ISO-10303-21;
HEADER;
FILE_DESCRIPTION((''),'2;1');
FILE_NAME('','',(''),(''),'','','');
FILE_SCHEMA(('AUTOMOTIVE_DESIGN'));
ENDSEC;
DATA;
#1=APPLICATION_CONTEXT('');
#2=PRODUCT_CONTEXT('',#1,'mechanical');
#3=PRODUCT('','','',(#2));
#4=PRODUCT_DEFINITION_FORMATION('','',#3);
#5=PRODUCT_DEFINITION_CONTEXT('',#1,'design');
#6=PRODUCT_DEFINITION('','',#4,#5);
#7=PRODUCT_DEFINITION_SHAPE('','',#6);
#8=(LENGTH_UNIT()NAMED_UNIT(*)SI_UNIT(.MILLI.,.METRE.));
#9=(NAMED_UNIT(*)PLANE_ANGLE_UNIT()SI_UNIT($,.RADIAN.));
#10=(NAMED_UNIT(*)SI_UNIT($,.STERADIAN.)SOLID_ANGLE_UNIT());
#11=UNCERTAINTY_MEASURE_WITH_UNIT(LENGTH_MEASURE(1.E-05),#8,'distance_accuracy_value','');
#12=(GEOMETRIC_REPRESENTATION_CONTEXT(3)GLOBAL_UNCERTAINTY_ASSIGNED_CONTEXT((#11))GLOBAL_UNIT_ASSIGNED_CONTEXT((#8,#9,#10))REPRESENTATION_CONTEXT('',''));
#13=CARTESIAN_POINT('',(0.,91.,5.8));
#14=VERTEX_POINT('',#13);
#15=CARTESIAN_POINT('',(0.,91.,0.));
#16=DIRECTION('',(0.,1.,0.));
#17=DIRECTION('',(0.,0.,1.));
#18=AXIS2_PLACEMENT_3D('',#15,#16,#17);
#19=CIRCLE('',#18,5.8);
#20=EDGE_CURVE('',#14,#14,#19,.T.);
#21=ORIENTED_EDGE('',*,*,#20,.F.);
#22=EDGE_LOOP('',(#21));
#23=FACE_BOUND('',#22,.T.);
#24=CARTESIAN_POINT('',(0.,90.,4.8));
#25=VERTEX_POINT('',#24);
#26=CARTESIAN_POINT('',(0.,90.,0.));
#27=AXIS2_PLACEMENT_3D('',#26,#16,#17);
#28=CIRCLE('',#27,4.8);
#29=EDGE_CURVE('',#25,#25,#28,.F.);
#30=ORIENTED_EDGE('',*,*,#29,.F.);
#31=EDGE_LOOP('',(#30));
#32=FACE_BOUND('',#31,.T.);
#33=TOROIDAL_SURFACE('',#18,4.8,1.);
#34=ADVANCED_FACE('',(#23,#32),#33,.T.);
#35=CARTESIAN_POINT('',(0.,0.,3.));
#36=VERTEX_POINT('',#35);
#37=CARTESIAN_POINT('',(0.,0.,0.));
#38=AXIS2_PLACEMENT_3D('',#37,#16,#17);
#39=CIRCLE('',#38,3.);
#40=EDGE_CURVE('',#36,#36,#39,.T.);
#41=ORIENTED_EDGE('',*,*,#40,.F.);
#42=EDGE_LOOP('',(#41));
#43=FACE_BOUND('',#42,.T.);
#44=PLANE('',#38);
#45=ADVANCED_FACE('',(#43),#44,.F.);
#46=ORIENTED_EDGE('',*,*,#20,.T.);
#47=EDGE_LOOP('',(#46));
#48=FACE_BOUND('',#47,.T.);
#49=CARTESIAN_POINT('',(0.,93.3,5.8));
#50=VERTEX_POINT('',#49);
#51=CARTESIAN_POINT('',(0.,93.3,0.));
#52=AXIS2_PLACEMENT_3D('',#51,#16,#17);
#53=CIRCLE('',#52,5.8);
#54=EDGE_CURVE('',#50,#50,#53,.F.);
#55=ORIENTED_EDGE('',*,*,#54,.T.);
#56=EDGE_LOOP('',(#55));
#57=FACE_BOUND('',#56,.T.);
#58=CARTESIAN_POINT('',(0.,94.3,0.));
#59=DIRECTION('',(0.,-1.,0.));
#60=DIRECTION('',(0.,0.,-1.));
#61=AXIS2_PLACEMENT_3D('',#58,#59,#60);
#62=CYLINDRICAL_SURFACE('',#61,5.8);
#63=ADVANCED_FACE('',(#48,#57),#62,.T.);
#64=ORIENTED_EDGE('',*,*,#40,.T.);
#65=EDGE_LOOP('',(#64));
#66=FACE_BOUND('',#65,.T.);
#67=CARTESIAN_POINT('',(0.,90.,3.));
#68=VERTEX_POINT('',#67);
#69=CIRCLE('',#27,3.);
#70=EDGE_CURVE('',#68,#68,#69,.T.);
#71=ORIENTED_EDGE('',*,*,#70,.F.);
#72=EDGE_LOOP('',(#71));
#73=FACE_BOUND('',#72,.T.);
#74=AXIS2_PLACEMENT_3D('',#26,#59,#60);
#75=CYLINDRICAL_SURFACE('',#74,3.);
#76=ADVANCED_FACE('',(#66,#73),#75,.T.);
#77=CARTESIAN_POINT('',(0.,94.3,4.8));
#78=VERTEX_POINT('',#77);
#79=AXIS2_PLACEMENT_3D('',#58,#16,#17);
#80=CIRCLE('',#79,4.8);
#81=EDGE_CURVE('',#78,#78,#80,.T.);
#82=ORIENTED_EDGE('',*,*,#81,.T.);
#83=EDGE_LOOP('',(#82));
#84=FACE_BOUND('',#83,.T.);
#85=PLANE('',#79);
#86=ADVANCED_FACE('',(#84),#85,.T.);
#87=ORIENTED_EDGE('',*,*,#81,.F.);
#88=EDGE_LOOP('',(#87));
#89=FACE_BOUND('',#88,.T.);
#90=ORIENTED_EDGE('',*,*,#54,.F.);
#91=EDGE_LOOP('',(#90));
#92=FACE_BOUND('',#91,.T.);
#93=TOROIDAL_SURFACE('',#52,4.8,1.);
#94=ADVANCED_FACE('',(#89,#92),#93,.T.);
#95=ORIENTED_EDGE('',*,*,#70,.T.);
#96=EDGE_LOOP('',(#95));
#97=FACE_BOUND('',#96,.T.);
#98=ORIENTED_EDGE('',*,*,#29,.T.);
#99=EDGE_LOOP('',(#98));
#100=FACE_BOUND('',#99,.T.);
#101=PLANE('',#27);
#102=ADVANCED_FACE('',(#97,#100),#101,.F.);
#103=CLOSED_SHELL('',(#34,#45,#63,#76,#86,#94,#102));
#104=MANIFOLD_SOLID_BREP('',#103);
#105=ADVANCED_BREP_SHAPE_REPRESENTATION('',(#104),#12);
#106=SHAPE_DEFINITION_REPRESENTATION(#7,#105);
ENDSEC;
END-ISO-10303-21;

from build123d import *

# Parameters (mm, degrees)
SKETCH1_R           = 3
BOSS_EXTRUDE1_DEPTH = 90
SKETCH2_R           = 5.8
BOSS_EXTRUDE2_DEPTH = 4.3
FILLET1_R           = 1


with BuildPart() as part:
    # Sketch1 → Boss-Extrude1 (new body)
    with BuildSketch(Plane(origin=(0, 0, 0), x_dir=(1, 0, 0), z_dir=(0, 1, 0))):
        with Locations(Location((0, 0, 0), (0, 0, 270))):  # turned: the seam where the file's is
            Circle(SKETCH1_R)
    extrude(amount=BOSS_EXTRUDE1_DEPTH)

    # Sketch2 → Boss-Extrude2 (add)
    with BuildSketch(Plane(origin=(0, 90, 0), x_dir=(1, 0, 0), z_dir=(0, 1, 0))):
        with Locations(Location((0, 0, 0), (0, 0, 270))):  # turned: the seam where the file's is
            Circle(SKETCH2_R)
    extrude(amount=BOSS_EXTRUDE2_DEPTH)

    # Fillet1
    fillet1_edges = [part.edges().sort_by_distance(p)[0] for p in [
        (0, 90, -5.8),
        (0, 94.3, -5.8),
    ]]
    fillet(fillet1_edges, radius=FILLET1_R)


solid = part.part
